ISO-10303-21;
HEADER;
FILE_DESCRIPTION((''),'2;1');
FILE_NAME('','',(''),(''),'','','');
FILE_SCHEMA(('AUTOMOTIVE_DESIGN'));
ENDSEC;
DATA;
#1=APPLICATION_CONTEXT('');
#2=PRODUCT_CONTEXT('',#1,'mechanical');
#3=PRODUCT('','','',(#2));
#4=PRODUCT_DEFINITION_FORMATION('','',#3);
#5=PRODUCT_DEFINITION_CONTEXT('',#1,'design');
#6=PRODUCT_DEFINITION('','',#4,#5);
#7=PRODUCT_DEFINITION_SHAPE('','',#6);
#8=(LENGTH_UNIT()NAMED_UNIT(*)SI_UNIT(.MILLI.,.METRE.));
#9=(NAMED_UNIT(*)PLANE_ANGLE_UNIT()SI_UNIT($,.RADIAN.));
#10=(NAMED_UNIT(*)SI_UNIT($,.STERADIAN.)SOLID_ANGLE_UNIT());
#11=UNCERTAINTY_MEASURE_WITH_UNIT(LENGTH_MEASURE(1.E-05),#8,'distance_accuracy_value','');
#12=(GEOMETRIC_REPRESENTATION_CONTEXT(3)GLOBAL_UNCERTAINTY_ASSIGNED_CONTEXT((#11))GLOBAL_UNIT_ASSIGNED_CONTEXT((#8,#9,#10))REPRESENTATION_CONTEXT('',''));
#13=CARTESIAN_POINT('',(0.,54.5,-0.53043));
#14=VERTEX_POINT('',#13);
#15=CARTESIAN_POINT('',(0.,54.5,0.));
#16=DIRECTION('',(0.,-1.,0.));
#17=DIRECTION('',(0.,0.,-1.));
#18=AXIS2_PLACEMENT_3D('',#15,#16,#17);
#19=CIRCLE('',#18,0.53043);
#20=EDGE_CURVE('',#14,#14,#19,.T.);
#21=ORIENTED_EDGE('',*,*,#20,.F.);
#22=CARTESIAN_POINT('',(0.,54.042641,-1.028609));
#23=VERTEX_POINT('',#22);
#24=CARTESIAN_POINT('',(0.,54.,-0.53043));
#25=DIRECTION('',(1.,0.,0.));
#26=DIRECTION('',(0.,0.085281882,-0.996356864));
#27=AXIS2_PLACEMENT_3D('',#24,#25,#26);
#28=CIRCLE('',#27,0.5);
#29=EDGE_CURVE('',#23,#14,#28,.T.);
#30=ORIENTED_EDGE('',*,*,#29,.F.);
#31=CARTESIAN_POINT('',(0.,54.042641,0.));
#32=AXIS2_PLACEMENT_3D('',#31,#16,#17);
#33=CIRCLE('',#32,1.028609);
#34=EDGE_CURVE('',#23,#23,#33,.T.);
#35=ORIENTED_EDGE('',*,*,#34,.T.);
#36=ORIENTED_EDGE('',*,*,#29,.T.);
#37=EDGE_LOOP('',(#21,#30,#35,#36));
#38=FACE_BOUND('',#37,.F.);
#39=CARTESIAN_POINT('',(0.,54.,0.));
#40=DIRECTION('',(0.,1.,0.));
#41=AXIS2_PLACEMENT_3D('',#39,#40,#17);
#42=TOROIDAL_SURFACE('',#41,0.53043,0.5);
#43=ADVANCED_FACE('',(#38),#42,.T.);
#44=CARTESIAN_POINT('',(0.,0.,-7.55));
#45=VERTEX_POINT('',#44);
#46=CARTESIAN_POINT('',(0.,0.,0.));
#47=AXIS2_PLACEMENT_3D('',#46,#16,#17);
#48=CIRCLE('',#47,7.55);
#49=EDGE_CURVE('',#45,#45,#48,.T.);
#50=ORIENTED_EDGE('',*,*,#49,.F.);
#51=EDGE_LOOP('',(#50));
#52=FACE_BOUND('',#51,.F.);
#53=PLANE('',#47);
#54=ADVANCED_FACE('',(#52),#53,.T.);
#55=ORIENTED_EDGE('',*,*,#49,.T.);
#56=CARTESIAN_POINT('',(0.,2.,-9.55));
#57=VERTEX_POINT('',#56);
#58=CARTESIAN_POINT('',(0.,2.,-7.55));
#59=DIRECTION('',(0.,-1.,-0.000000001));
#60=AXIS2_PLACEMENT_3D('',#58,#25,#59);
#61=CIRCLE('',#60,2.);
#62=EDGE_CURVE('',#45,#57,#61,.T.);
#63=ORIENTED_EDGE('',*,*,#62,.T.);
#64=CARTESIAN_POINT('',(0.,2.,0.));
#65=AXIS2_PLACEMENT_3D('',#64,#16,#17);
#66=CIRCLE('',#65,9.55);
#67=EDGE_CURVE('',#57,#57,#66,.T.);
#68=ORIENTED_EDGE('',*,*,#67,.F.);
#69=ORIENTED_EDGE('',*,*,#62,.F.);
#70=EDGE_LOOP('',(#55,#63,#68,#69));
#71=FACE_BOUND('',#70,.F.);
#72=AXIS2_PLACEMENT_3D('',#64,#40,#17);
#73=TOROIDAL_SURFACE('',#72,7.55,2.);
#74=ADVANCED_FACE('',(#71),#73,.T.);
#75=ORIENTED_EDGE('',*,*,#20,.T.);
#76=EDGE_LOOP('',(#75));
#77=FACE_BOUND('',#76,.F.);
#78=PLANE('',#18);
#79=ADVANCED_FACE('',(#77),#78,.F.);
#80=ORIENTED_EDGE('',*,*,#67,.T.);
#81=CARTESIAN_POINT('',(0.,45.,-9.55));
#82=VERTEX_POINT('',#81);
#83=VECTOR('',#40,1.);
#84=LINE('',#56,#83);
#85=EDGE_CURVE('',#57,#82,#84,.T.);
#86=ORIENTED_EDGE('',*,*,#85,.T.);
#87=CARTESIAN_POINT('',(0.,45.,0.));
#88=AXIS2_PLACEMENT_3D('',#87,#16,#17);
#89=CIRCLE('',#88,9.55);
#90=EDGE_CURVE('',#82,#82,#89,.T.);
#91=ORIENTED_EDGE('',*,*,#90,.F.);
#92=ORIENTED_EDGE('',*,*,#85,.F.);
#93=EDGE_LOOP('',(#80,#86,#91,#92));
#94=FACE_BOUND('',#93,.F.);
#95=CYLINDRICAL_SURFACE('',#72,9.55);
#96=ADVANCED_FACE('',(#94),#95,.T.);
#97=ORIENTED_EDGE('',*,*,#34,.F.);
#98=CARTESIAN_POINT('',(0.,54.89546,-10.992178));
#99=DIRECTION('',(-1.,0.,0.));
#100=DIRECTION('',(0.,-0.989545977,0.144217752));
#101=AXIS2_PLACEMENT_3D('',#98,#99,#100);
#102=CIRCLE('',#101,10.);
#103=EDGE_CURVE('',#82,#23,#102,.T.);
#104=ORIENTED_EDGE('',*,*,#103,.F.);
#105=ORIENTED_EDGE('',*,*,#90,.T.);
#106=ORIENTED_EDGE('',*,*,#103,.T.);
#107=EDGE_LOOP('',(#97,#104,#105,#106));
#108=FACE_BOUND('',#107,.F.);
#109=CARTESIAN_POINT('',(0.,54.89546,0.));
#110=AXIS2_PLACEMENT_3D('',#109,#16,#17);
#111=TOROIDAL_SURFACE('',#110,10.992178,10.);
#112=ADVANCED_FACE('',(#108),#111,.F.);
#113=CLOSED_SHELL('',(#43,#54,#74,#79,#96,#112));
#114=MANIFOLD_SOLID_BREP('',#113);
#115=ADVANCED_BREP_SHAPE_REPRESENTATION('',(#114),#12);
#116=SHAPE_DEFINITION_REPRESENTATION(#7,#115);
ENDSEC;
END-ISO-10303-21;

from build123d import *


with BuildPart() as part:
    # Sketch2 → Revolve1 (revolve)
    with BuildSketch(Plane(origin=(0, 0, 0), x_dir=(0, 0, -1), z_dir=(1, 0, 0))):
        with BuildLine():
            Line((0, 0), (7.55, 0))
            ThreePointArc((7.55, 0), (8.964213562, 0.585786438), (9.55, 2))
            Line((9.55, 2), (9.55, 45))
            ThreePointArc((9.55, 45), (3.714464955, 48.037260307), (1.028608879, 54.042640941))
            ThreePointArc((1.028608879, 54.042640941), (0.868572081, 54.368320832), (0.530430447, 54.5))
            Line((0.530430447, 54.5), (0, 54.5))
            Line((0, 54.5), (0, 0))
        make_face()
    revolve(axis=Axis((0, 54.5, 0), (0, -1, 0)))


solid = part.part
